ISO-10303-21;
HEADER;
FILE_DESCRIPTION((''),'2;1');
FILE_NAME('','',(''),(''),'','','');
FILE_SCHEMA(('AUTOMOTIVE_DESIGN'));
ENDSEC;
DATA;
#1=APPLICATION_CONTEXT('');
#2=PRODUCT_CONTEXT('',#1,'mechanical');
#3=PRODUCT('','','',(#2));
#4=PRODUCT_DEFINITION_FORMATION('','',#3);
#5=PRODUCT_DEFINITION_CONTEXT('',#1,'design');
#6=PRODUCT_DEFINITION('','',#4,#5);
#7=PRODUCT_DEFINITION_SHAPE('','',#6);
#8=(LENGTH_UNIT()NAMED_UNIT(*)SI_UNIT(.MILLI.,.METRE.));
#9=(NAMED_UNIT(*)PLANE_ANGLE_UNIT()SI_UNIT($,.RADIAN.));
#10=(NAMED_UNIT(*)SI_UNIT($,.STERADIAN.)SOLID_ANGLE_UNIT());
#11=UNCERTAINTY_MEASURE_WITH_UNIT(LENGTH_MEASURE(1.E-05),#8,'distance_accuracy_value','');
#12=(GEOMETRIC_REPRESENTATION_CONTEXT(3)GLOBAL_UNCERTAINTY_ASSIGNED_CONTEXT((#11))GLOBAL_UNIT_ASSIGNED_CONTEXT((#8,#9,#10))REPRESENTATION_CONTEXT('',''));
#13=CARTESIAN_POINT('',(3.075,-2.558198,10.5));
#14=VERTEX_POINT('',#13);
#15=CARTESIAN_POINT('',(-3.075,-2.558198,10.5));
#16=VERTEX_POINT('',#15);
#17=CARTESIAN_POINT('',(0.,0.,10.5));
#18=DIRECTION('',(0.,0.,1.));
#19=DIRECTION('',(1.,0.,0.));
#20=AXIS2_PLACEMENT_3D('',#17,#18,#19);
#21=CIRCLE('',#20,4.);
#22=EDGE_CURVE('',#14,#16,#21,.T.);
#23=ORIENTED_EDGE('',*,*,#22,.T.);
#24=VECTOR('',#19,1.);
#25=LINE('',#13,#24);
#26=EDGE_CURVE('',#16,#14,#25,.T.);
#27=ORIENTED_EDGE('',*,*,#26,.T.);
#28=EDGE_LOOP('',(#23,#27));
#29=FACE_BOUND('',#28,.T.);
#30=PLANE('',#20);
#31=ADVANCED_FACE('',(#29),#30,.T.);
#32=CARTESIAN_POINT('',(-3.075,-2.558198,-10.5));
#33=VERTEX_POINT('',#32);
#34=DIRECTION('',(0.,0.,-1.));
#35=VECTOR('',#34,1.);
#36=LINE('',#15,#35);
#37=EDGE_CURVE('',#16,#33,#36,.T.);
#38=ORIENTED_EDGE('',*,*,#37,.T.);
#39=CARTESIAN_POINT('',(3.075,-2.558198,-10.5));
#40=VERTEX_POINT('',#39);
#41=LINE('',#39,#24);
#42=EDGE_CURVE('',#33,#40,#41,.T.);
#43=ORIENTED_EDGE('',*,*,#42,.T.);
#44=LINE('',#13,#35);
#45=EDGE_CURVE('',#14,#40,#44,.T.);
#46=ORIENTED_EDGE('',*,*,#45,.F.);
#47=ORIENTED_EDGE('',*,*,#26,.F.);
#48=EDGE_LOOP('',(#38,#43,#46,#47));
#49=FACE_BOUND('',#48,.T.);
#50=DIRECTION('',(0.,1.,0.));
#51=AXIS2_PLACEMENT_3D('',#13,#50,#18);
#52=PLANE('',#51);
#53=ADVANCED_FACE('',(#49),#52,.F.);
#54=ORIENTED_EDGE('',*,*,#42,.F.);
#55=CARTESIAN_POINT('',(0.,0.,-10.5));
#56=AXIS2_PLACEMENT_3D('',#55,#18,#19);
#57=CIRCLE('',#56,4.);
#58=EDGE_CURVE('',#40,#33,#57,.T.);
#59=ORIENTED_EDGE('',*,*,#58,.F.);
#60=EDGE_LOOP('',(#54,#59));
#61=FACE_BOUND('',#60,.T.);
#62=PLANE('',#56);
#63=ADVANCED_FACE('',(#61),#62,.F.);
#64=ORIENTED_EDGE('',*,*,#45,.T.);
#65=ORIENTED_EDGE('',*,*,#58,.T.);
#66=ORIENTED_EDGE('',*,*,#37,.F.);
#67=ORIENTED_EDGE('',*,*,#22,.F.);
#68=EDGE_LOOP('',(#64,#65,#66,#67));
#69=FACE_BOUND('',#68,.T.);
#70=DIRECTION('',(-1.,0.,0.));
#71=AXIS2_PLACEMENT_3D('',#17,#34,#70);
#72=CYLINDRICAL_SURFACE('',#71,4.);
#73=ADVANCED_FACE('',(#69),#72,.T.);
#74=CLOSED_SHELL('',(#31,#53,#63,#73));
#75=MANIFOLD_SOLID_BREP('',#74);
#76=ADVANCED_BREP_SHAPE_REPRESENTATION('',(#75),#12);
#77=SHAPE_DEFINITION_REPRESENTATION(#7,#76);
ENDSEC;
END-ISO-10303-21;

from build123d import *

# Parameters (mm, degrees)
BOSS_EXTRUDE1_DEPTH = 10.5


with BuildPart() as part:
    # Sketch1 → Boss-Extrude1 (new, symmetric)
    with BuildSketch(Plane.XY):
        with BuildLine():
            Line((3.075, -2.558197608), (-3.075, -2.558197608))
            ThreePointArc((-3.075, -2.558197608), (0, 4), (3.075, -2.558197608))
        make_face()
    extrude(amount=BOSS_EXTRUDE1_DEPTH, both=True)


solid = part.part
